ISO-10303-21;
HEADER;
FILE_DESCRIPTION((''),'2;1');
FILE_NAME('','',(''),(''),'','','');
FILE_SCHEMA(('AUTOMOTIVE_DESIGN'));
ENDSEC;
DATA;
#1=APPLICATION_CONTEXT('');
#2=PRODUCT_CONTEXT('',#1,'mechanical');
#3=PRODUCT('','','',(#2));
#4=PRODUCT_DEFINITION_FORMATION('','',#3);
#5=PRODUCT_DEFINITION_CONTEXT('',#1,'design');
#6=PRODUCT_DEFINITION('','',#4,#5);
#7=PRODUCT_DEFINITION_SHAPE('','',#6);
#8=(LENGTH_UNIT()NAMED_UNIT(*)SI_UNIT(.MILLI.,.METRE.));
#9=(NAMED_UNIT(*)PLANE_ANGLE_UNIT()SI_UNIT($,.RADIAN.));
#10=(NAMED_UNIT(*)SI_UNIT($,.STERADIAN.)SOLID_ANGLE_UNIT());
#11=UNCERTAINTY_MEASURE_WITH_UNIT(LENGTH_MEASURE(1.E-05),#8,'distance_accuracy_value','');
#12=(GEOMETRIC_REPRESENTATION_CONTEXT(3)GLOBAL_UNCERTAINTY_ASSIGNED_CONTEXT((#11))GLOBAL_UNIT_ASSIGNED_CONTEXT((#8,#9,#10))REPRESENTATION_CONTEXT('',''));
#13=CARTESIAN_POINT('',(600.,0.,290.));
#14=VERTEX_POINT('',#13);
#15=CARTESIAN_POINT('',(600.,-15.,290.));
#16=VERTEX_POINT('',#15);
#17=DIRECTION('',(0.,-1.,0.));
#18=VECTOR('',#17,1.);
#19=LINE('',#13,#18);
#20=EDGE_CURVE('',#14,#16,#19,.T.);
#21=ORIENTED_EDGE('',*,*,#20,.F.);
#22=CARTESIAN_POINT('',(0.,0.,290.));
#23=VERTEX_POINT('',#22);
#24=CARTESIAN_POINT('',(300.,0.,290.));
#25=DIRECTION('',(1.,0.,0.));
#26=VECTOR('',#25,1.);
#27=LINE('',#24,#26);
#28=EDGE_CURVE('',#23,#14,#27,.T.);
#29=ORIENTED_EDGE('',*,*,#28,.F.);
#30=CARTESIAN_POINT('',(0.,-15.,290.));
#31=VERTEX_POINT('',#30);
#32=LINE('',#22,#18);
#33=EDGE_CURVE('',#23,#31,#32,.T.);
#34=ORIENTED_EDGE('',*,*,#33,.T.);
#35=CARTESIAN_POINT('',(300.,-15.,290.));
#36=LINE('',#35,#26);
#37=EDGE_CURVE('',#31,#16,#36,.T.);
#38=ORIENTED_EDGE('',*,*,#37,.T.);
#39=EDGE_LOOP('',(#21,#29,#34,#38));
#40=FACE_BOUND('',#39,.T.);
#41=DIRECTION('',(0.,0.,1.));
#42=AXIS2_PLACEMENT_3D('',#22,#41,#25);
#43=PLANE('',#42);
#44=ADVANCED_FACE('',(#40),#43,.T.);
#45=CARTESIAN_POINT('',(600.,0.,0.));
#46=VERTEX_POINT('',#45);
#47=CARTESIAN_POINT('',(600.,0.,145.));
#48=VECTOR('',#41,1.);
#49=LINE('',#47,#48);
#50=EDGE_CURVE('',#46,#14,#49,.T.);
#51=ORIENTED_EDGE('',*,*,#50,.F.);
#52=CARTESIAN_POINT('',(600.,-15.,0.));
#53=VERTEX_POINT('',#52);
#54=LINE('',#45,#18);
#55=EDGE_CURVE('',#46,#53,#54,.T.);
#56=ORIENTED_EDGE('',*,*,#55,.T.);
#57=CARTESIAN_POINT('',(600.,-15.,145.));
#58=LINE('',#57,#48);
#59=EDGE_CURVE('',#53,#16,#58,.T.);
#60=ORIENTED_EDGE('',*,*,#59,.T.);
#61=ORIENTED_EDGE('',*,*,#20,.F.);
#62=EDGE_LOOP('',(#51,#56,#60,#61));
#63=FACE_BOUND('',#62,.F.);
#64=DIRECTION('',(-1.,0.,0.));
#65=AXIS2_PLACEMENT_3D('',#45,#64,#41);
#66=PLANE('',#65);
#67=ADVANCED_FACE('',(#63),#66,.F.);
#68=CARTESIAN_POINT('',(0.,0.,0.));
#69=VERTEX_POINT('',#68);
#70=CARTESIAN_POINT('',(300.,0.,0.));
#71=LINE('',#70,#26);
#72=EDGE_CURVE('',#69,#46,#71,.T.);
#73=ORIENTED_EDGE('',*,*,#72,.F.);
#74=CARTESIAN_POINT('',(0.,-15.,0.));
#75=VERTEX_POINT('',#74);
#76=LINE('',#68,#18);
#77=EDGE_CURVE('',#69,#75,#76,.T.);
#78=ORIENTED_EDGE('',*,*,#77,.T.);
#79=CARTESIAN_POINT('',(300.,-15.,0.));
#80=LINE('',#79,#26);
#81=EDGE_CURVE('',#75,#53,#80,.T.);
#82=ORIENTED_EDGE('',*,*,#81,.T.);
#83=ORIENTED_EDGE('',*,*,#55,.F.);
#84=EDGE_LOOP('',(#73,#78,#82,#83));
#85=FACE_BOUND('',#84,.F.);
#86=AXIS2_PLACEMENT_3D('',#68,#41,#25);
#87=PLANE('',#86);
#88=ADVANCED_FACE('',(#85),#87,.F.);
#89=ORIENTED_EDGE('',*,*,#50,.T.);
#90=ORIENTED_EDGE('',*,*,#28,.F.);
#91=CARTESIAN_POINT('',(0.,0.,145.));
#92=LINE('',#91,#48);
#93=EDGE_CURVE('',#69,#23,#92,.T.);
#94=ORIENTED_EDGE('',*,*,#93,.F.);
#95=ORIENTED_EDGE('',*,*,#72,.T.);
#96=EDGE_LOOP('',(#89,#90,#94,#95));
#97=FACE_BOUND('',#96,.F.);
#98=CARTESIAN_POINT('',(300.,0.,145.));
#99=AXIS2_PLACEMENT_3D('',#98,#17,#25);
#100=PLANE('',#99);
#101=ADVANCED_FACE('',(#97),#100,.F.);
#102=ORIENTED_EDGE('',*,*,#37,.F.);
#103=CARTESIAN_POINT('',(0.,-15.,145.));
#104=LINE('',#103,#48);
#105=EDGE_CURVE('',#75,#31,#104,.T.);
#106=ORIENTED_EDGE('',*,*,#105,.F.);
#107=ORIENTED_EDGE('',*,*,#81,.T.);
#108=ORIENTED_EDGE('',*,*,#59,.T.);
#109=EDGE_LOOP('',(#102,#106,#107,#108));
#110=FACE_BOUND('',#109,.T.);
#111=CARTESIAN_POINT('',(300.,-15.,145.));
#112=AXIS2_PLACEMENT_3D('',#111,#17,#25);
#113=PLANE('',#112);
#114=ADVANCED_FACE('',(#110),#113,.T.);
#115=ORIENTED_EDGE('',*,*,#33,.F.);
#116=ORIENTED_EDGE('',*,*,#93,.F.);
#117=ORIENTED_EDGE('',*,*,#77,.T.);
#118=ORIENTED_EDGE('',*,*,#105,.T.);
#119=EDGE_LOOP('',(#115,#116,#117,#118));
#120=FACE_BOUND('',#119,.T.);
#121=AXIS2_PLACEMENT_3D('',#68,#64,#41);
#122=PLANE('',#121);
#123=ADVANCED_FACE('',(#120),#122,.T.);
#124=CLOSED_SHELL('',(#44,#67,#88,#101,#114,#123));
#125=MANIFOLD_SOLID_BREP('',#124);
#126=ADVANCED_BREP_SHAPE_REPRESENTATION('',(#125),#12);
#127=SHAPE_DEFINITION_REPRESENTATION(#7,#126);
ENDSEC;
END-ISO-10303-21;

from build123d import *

# Parameters (mm, degrees)
SKETCH_W  = 600
SKETCH_H  = 290
PAD_DEPTH = 15


with BuildPart() as part:
    # Sketch → Pad (new body)
    with BuildSketch(Plane.XZ):
        with Locations((300, 145)):
            Rectangle(SKETCH_W, SKETCH_H)
    extrude(amount=PAD_DEPTH)


solid = part.part
